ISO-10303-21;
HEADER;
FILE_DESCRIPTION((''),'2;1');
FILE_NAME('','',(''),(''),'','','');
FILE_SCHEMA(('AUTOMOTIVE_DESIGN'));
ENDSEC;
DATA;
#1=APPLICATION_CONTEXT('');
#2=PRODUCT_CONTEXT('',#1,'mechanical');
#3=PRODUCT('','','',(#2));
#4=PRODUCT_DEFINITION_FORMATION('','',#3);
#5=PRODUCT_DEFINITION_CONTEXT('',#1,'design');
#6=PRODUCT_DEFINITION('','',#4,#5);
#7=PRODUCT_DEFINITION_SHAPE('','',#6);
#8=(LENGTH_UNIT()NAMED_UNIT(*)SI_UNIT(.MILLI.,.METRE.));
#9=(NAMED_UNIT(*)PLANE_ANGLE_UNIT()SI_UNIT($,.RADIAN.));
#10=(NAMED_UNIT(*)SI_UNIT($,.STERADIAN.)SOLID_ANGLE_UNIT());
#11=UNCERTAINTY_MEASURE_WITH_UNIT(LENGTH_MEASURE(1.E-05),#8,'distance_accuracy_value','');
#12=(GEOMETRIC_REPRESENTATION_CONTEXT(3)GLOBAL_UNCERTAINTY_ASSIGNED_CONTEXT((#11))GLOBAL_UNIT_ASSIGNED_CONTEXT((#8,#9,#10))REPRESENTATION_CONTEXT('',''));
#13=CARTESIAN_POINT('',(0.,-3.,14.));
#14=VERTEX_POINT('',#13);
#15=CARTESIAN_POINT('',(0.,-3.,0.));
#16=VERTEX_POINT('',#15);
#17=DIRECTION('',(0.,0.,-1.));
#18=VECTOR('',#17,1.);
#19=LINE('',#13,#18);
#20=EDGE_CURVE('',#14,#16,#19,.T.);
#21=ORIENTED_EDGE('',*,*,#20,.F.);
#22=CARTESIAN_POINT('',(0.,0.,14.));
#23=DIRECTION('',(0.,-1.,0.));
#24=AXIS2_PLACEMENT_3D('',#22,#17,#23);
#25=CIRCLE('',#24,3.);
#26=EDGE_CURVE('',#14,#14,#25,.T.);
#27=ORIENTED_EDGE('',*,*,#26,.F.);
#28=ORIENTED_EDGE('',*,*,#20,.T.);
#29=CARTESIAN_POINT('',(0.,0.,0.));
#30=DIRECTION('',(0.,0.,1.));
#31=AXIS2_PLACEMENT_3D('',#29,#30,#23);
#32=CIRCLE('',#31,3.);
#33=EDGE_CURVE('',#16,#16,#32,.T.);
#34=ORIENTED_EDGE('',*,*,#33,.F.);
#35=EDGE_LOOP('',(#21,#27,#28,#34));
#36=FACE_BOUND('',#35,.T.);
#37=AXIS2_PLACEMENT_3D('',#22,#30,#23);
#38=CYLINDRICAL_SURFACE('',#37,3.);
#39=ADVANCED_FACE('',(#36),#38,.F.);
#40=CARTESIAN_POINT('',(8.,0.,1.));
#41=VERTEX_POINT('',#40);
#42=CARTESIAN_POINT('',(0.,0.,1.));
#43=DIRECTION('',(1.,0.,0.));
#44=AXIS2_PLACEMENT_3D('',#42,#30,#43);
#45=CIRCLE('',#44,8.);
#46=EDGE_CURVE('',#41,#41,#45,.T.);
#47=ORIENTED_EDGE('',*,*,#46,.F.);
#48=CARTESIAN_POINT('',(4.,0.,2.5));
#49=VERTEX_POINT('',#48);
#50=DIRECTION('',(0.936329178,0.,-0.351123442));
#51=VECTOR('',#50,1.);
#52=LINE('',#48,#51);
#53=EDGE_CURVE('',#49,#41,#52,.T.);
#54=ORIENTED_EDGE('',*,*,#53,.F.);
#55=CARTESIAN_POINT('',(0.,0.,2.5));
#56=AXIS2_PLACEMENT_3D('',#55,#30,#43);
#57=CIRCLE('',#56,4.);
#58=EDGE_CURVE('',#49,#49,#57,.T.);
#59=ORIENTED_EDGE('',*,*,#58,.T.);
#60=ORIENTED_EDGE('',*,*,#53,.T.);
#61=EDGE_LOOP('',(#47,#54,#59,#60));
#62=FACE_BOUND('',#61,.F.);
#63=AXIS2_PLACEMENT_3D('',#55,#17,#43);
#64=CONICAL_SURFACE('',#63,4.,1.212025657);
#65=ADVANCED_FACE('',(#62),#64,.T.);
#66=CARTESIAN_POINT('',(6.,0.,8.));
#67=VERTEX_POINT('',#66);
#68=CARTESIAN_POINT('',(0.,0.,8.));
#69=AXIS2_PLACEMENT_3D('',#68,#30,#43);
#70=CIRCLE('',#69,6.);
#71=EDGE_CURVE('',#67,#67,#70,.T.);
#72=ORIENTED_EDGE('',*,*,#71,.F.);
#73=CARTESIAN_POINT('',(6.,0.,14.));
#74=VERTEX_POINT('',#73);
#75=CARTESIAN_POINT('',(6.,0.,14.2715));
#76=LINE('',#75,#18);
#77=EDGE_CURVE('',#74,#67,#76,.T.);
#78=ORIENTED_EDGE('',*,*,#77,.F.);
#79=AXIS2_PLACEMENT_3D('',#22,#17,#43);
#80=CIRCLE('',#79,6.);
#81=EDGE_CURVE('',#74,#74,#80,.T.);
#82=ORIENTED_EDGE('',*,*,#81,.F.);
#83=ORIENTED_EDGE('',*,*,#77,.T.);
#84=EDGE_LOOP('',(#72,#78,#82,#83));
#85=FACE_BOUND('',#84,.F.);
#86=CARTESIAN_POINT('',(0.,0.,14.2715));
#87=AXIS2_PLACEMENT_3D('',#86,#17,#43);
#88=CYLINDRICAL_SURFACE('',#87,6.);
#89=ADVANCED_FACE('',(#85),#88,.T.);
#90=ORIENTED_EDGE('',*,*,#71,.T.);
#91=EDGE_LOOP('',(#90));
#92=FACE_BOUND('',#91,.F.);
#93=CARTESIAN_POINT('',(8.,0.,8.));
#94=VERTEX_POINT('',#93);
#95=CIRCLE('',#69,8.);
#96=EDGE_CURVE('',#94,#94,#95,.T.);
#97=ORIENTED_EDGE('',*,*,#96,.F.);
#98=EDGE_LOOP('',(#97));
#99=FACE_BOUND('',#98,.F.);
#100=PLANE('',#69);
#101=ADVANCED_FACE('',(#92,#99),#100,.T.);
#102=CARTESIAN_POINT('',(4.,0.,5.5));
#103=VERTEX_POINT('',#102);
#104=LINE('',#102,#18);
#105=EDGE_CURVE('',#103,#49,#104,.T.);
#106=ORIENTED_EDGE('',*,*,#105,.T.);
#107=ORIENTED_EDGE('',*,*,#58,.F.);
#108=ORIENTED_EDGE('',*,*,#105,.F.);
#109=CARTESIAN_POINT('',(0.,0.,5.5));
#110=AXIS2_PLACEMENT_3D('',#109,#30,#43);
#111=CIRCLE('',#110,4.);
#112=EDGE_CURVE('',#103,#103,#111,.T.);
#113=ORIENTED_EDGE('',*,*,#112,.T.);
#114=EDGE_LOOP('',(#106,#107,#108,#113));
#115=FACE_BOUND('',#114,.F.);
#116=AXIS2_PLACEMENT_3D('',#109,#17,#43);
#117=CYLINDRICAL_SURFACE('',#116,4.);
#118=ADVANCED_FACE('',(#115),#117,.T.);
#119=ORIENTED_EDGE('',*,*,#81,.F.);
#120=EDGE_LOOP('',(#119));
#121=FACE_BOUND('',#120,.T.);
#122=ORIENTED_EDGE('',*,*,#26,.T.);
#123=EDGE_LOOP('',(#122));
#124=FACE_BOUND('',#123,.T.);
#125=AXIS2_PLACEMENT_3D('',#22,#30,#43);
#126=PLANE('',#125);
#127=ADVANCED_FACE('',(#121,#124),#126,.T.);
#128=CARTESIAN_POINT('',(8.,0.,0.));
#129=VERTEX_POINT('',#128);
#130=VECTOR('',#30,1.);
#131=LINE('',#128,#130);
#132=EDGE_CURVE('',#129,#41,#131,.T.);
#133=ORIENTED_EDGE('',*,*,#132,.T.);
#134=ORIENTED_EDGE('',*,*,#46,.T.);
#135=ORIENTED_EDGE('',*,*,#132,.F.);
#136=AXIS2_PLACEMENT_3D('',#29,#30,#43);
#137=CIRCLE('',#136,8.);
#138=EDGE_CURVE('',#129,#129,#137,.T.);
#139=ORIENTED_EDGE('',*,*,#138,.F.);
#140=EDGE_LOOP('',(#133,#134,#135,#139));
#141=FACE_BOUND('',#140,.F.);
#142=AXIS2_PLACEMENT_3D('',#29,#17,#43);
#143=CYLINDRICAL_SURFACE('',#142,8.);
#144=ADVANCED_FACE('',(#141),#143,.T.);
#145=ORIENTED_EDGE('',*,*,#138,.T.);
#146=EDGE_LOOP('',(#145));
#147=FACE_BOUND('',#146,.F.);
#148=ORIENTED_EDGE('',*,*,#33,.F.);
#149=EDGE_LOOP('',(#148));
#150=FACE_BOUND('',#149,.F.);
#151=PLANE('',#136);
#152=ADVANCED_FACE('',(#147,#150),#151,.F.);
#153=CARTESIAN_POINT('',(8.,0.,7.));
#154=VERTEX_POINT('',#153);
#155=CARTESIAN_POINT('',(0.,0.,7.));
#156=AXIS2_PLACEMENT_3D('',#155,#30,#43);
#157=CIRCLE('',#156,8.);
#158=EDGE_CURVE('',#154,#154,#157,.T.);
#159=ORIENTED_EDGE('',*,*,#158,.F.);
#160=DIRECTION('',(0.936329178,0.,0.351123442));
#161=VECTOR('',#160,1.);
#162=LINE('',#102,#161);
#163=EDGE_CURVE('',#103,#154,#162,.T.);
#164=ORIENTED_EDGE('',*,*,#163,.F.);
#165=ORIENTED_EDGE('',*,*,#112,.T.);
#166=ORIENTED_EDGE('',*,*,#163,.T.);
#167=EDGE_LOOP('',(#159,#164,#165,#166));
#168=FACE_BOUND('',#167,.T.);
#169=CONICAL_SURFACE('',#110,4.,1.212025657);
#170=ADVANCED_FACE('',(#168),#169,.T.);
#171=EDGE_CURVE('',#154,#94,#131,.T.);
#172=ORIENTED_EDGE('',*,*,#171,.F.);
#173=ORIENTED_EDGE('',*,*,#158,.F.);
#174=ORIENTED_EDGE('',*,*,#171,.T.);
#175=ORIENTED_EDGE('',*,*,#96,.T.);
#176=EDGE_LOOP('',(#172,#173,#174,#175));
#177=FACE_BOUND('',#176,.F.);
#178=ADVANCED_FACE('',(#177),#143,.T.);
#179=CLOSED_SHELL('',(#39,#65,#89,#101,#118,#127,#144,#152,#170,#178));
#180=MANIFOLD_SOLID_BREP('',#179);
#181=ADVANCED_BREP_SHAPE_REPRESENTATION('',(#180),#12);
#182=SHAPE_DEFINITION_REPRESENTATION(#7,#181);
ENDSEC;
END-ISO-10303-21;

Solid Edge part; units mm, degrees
sketch "Sketch1" plane through (0, 0, 0) normal (0, 0, 1) x (1, 0, 0)
  circle A0 centre (0, 0) radius 8
extrude "Protrusion1" add sketch "Sketch1" along normal blind 14
sketch "Sketch2" plane through (0, 0, 0) normal (0, -1, 0) x (1, 0, 0)
  line L0 (8, 14.2715) -> (6, 14.2715)
  line L1 (6, 14.2715) -> (6, 8)
  line L2 (6, 8) -> (8, 8)
  line L3 (8, 8) -> (8, 14.2715)
  line L4 (4, 5.5) -> (4, 2.5)
  line L5 (4, 2.5) -> (8, 1)
  line L6 (8, 7) -> (8, 1)
  line L7 (4, 5.5) -> (8, 7)
  dimension "D1" = 4
  dimension "D2" = 6
  dimension "D3" = 3
  dimension "D4" = 2.5
  dimension "D5" = 2.5
  dimension "D6" = 1
  dimension "D7" = 1
revolve "RevolvedCutout1" cut sketch "Sketch2" angle 360 about axis through (0, 0, 0) along (0, 0, 1)
hole "Hole_1" at (0, 0, 14) direction (0, 0, -1) diameter 6 end through all
